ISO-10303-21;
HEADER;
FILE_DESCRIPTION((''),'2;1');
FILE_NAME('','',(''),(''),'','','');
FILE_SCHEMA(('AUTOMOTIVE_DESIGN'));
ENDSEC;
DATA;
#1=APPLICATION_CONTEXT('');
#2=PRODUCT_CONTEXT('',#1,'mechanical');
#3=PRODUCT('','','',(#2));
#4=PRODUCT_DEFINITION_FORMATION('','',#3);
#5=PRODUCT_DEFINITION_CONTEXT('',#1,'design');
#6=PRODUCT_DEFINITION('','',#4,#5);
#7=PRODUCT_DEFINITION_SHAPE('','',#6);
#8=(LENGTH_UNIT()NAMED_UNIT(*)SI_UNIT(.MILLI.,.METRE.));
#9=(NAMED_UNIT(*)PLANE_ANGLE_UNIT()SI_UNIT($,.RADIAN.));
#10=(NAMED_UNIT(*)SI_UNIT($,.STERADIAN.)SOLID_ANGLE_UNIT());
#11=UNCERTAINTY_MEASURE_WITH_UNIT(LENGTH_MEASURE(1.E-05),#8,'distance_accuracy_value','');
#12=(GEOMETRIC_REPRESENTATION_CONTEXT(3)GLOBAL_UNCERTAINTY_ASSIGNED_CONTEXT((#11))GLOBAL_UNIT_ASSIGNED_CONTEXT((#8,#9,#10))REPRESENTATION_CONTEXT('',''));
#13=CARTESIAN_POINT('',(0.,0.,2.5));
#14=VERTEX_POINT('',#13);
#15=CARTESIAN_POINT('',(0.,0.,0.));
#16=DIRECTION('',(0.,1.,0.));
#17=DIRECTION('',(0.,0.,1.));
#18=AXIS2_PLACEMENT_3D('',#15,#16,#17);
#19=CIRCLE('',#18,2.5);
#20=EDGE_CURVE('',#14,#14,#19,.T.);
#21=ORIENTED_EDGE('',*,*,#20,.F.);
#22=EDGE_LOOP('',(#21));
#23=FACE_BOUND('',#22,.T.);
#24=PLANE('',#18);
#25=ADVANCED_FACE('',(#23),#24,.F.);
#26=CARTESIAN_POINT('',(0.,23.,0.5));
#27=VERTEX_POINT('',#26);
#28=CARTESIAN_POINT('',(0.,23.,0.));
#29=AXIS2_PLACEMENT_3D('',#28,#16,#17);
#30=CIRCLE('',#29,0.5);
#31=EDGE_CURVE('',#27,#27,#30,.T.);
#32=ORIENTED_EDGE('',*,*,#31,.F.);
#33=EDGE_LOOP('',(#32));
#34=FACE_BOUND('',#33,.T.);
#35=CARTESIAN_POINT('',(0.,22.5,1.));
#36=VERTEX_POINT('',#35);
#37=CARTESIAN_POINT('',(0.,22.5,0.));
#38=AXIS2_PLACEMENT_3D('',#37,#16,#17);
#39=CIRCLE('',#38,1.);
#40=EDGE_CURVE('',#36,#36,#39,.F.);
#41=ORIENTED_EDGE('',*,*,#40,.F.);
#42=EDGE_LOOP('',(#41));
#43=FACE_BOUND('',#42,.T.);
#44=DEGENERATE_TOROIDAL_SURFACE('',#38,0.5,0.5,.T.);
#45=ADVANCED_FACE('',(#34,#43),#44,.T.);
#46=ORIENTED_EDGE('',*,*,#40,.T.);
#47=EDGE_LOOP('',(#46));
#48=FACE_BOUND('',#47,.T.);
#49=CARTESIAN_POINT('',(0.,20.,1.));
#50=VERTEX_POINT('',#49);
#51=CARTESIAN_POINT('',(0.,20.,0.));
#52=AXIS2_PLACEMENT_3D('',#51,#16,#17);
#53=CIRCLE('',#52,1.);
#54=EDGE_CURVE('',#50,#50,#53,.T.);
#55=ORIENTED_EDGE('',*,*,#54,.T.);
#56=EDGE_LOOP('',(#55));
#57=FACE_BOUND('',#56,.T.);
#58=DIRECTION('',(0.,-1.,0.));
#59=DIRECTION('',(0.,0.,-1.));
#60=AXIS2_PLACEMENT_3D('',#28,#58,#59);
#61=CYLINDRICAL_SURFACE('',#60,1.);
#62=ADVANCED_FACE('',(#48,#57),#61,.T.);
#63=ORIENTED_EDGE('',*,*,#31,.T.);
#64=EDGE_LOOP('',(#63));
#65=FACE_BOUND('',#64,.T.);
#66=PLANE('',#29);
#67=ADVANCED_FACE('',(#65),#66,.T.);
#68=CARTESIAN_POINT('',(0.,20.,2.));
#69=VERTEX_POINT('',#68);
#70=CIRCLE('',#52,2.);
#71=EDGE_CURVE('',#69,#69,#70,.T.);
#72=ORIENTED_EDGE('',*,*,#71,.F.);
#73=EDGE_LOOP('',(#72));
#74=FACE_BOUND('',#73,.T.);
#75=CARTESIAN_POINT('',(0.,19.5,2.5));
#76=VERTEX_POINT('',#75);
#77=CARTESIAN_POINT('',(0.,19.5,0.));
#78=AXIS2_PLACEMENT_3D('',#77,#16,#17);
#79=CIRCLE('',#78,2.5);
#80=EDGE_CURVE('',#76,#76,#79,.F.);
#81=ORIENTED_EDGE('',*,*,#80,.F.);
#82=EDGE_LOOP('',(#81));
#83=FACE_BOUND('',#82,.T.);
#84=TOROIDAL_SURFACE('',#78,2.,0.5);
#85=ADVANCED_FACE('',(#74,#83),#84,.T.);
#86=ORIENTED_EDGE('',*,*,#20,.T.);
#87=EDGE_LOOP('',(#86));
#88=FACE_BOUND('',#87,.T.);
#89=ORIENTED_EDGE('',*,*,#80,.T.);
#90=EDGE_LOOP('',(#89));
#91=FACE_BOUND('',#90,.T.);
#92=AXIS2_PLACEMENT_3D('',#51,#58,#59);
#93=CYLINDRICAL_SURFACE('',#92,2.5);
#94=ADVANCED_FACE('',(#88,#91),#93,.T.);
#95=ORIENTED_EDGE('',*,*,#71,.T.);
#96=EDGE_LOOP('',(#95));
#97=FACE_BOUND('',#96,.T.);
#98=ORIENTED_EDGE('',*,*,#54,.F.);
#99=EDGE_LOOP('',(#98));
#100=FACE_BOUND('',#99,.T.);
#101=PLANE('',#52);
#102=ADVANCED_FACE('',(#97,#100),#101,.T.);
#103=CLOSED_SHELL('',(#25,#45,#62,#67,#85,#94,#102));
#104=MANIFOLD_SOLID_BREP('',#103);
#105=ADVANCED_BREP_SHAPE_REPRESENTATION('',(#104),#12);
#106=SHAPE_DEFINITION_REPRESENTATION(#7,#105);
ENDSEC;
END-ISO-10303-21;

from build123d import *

# Parameters (mm, degrees)
SKETCH1_R           = 2.5
BOSS_EXTRUDE1_DEPTH = 20
SKETCH2_R           = 1
BOSS_EXTRUDE2_DEPTH = 3
FILLET1_R           = 0.5


with BuildPart() as part:
    # Sketch1 → Boss-Extrude1 (new body)
    with BuildSketch(Plane(origin=(0, 0, 0), x_dir=(1, 0, 0), z_dir=(0, 1, 0))):
        with Locations(Location((0, 0, 0), (0, 0, 270))):
            Circle(SKETCH1_R)
    extrude(amount=BOSS_EXTRUDE1_DEPTH)

    # Sketch2 → Boss-Extrude2 (add)
    with BuildSketch(Plane(origin=(0, 20, 0), x_dir=(1, 0, 0), z_dir=(0, 1, 0))):
        with Locations(Location((0, 0, 0), (0, 0, 270))):
            Circle(SKETCH2_R)
    extrude(amount=BOSS_EXTRUDE2_DEPTH)

    # Fillet1
    fillet1_edges = [part.edges().sort_by_distance(p)[0] for p in [
        (0, 20, -2.5),
        (0, 23, -1),
    ]]
    fillet(fillet1_edges, radius=FILLET1_R)


solid = part.part
